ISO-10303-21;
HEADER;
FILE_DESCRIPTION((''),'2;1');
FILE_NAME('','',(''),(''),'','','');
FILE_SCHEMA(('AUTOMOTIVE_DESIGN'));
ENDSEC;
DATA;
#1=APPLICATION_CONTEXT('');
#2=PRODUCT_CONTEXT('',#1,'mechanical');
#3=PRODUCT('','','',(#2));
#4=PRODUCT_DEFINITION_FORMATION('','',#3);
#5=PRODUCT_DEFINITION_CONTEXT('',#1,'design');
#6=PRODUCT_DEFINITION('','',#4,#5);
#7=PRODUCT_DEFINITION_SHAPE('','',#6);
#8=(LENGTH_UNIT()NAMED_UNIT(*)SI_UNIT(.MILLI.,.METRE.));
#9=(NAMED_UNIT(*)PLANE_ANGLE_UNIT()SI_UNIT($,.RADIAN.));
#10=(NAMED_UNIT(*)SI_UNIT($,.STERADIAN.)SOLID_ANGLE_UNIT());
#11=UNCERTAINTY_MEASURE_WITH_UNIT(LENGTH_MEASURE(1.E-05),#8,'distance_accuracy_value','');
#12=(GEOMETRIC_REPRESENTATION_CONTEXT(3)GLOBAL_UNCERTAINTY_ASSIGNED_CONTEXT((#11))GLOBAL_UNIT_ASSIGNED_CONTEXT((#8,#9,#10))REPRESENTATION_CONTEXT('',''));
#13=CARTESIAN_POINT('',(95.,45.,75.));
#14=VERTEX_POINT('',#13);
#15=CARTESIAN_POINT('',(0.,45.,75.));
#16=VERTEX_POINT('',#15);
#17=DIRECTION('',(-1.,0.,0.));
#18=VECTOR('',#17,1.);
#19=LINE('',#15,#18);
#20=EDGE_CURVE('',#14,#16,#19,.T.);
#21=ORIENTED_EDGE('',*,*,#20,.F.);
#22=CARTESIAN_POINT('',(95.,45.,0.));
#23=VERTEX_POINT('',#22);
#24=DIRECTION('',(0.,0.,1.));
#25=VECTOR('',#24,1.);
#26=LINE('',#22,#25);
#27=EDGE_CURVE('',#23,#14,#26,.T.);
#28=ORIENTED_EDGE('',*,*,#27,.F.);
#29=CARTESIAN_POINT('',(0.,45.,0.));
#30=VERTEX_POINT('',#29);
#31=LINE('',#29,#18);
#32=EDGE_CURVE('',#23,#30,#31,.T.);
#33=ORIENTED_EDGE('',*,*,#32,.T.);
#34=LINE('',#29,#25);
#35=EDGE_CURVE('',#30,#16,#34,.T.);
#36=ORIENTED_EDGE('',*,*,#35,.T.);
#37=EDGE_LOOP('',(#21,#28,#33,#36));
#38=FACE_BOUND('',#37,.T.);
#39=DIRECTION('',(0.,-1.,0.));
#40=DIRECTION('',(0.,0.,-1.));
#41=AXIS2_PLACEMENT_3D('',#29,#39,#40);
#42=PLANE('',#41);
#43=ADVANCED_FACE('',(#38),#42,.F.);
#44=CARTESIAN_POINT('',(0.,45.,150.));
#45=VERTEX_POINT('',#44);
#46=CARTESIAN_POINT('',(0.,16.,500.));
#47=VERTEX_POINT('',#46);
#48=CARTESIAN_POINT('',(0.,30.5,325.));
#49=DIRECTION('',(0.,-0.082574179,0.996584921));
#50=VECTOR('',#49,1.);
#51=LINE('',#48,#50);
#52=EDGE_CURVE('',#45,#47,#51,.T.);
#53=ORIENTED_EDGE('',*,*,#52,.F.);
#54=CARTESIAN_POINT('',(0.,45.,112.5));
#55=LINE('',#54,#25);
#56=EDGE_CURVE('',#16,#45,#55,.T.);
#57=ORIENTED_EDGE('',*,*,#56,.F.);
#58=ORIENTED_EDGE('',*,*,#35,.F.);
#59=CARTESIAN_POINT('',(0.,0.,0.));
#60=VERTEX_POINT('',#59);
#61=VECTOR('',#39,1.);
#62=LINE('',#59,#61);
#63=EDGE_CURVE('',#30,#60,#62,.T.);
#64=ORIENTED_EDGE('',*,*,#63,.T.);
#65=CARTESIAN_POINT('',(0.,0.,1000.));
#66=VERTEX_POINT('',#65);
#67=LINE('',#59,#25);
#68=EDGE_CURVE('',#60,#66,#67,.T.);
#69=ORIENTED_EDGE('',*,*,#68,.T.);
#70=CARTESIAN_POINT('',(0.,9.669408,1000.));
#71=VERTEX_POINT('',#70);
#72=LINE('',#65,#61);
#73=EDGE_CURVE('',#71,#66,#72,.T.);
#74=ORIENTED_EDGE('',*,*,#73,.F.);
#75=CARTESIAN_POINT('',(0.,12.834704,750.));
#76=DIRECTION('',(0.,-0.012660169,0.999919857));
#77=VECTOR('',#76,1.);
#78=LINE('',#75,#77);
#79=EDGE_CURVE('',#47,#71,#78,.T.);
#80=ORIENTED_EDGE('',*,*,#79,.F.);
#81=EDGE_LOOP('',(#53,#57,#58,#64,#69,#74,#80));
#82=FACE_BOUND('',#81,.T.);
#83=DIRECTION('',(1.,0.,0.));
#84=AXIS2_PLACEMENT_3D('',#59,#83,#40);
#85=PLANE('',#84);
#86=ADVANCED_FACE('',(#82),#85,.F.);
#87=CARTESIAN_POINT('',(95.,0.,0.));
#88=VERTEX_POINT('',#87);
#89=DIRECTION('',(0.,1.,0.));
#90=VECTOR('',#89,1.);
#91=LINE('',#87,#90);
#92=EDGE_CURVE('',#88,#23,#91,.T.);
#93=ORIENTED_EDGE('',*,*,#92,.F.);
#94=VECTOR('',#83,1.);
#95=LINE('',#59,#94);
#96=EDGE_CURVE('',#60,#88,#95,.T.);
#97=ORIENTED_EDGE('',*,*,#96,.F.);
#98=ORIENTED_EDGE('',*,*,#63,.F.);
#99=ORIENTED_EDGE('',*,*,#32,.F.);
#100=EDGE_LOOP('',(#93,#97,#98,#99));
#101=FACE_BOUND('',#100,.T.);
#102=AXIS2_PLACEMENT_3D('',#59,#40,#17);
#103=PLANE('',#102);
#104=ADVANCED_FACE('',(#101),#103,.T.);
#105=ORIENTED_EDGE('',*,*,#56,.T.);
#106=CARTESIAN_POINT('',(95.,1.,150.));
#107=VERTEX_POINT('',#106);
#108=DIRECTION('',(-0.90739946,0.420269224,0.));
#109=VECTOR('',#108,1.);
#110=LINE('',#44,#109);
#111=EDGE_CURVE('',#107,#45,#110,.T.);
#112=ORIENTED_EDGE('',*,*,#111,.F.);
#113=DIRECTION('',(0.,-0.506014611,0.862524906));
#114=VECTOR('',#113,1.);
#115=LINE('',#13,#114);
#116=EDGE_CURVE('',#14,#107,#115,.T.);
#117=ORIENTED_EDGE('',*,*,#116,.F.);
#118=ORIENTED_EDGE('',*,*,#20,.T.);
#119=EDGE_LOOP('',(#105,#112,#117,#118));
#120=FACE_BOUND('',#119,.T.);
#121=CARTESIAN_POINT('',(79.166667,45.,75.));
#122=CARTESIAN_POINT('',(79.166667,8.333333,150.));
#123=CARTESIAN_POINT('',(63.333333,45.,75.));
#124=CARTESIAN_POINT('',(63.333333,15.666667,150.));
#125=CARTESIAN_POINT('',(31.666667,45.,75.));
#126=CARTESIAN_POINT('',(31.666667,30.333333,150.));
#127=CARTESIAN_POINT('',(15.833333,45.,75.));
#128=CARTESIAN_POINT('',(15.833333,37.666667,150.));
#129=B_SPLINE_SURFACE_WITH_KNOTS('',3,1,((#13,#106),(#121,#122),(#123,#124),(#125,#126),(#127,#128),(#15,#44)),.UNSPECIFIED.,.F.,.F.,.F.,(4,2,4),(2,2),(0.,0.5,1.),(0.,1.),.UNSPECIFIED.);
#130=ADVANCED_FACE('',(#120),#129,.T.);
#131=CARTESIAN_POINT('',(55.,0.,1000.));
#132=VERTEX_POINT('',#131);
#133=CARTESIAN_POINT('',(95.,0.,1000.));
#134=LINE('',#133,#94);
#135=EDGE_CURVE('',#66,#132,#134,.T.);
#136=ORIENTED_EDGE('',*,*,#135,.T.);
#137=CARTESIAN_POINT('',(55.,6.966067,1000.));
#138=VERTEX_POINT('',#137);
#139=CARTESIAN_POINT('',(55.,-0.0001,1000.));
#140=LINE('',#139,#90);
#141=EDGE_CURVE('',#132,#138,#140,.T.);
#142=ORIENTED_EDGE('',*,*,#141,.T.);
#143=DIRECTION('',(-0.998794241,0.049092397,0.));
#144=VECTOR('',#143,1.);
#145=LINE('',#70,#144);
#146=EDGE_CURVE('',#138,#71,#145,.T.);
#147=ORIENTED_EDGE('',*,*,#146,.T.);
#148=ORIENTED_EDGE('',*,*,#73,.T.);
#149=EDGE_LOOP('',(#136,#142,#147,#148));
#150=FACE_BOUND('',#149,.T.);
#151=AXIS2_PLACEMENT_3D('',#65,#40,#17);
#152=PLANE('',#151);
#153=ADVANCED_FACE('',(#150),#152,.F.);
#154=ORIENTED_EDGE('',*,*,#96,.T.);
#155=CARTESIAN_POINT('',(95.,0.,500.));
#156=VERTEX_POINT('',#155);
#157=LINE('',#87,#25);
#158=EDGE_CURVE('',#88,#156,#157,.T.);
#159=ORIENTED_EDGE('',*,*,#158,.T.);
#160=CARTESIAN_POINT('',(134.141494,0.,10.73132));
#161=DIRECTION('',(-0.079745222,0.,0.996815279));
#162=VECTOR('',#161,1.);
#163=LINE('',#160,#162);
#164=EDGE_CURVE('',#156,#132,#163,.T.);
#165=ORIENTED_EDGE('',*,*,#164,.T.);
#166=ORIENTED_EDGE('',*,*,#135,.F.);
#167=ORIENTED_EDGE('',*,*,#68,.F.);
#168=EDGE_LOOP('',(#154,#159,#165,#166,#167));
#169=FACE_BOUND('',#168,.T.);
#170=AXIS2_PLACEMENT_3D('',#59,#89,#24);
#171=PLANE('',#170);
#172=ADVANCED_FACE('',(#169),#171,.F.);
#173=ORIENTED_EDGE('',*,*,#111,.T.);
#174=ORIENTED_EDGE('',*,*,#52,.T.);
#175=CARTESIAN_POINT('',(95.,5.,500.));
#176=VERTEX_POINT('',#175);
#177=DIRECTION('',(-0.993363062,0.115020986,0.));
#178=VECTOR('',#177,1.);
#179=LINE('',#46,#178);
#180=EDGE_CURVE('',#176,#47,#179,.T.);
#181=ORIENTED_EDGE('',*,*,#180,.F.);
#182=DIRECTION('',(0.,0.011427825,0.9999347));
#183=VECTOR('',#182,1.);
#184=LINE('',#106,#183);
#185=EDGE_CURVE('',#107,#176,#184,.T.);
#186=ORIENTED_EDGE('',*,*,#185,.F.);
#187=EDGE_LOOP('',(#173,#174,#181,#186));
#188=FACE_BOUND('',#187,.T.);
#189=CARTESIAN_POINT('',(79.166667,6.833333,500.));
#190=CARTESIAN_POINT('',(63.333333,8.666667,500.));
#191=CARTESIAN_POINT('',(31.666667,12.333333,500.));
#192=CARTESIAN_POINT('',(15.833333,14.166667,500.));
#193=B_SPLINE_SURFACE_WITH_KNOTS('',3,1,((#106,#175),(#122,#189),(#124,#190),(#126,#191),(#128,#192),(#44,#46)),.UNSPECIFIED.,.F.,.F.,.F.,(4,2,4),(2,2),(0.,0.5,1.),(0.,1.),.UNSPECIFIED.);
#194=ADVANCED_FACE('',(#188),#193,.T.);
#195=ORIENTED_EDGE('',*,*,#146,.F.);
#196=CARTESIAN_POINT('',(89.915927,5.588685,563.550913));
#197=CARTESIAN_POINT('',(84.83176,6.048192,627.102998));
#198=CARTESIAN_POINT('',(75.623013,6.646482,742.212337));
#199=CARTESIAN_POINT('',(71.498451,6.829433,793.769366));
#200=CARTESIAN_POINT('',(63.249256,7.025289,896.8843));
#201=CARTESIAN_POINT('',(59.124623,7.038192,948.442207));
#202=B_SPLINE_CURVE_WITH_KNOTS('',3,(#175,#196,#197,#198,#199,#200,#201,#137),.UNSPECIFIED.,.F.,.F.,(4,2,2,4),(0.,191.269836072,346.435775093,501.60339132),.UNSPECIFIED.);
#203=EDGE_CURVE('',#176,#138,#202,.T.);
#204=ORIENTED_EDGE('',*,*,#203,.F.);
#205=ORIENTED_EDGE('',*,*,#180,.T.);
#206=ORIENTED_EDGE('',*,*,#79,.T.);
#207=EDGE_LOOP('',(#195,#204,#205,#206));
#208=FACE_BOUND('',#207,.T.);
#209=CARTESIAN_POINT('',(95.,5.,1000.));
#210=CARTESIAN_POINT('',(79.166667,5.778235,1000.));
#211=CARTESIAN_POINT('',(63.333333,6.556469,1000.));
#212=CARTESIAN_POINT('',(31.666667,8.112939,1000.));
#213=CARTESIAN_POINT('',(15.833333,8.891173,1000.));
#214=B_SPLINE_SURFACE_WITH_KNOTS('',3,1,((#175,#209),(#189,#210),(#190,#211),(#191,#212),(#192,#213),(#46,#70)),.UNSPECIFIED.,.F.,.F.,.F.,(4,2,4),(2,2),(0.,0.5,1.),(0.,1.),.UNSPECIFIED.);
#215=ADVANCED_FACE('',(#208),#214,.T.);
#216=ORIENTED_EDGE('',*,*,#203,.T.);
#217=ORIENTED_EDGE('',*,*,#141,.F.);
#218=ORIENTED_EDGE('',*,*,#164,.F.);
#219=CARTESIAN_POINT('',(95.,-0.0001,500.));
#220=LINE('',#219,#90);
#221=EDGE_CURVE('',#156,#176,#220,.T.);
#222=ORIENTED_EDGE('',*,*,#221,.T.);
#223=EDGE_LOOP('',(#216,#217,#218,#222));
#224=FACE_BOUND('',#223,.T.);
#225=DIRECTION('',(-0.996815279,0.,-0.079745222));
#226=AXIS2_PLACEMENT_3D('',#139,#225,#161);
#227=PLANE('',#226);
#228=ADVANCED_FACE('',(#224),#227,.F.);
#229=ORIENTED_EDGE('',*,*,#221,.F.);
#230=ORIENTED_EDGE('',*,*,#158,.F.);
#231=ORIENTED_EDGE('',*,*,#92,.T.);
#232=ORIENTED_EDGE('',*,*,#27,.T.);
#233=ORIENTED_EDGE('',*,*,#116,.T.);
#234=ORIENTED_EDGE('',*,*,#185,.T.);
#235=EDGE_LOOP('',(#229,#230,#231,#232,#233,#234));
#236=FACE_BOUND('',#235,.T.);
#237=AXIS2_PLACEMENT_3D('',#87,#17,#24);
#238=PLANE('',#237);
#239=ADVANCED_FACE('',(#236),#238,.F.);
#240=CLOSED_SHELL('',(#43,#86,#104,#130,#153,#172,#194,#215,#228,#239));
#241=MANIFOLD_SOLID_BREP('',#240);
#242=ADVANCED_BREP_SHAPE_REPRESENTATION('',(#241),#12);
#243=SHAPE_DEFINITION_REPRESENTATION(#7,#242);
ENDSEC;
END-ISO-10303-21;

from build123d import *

# Parameters (mm, degrees)
CUT_EXTRUDE2_DEPTH      = 1006.50982105
CUT_EXTRUDE2_DEPTH_BACK = 1006.50982105


with BuildPart() as part:
    # Sketch1 → Loft3 section 0
    with BuildSketch(Plane.XY):
        with BuildLine():
            Line((0, 0), (95, 0))
            Line((95, 0), (95, 45))
            Line((95, 45), (0, 45))
            Line((0, 45), (0, 0))
        make_face()
    # Sketch2 → Loft3 section 1
    with BuildSketch(Plane.XY.offset(75)):
        with BuildLine():
            Line((0, 0), (95, 0))
            Line((95, 0), (95, 45))
            Line((95, 45), (0, 45))
            Line((0, 45), (0, 0))
        make_face()
    loft()

    # Sketch3 → section 1 of loft4
    with BuildSketch(Plane.XY.offset(150), mode=Mode.PRIVATE) as loft4_s1:
        with BuildLine():
            Line((0, 0), (0, 45))
            Line((0, 45), (95, 1))
            Line((95, 1), (95, 0))
            Line((95, 0), (0, 0))
        make_face()
    # loft from a face of the part (loft4)
    loft([part.faces().sort_by_distance((47.5, 22.5, 75))[0], loft4_s1.sketch])

    # Sketch4 → section 1 of loft5
    with BuildSketch(Plane.XY.offset(500), mode=Mode.PRIVATE) as loft5_s1:
        with BuildLine():
            Line((0, 0), (0, 16))
            Line((0, 16), (95, 5))
            Line((95, 5), (95, 0))
            Line((95, 0), (0, 0))
        make_face()
    # loft from a face of the part (loft5)
    loft([part.faces().sort_by_distance((32.355072464, 15.007246377, 150))[0], loft5_s1.sketch])

    # Sketch6 → section 1 of loft6
    with BuildSketch(Plane.XY.offset(1000), mode=Mode.PRIVATE) as loft6_s1:
        with BuildLine():
            Line((0, 0), (0, 9.669407938))
            Line((0, 9.669407938), (95, 5))
            Line((95, 5), (95, 0))
            Line((95, 0), (0, 0))
        make_face()
    # loft from a face of the part (loft6)
    loft([part.faces().sort_by_distance((39.206349206, 5.73015873, 500))[0], loft6_s1.sketch])

    # Sketch7 → Cut-Extrude2 (cut, two sides: drawn at the far end of the back side and taken through both)
    with BuildSketch(Plane(origin=(0, 0, 0), x_dir=(1, 0, 0), z_dir=(0, 1, 0)).offset(-CUT_EXTRUDE2_DEPTH_BACK)):
        Polygon((55, -1000), (95, -500), (95, -1000), align=None)
    extrude(amount=CUT_EXTRUDE2_DEPTH + CUT_EXTRUDE2_DEPTH_BACK, mode=Mode.SUBTRACT)


solid = part.part
